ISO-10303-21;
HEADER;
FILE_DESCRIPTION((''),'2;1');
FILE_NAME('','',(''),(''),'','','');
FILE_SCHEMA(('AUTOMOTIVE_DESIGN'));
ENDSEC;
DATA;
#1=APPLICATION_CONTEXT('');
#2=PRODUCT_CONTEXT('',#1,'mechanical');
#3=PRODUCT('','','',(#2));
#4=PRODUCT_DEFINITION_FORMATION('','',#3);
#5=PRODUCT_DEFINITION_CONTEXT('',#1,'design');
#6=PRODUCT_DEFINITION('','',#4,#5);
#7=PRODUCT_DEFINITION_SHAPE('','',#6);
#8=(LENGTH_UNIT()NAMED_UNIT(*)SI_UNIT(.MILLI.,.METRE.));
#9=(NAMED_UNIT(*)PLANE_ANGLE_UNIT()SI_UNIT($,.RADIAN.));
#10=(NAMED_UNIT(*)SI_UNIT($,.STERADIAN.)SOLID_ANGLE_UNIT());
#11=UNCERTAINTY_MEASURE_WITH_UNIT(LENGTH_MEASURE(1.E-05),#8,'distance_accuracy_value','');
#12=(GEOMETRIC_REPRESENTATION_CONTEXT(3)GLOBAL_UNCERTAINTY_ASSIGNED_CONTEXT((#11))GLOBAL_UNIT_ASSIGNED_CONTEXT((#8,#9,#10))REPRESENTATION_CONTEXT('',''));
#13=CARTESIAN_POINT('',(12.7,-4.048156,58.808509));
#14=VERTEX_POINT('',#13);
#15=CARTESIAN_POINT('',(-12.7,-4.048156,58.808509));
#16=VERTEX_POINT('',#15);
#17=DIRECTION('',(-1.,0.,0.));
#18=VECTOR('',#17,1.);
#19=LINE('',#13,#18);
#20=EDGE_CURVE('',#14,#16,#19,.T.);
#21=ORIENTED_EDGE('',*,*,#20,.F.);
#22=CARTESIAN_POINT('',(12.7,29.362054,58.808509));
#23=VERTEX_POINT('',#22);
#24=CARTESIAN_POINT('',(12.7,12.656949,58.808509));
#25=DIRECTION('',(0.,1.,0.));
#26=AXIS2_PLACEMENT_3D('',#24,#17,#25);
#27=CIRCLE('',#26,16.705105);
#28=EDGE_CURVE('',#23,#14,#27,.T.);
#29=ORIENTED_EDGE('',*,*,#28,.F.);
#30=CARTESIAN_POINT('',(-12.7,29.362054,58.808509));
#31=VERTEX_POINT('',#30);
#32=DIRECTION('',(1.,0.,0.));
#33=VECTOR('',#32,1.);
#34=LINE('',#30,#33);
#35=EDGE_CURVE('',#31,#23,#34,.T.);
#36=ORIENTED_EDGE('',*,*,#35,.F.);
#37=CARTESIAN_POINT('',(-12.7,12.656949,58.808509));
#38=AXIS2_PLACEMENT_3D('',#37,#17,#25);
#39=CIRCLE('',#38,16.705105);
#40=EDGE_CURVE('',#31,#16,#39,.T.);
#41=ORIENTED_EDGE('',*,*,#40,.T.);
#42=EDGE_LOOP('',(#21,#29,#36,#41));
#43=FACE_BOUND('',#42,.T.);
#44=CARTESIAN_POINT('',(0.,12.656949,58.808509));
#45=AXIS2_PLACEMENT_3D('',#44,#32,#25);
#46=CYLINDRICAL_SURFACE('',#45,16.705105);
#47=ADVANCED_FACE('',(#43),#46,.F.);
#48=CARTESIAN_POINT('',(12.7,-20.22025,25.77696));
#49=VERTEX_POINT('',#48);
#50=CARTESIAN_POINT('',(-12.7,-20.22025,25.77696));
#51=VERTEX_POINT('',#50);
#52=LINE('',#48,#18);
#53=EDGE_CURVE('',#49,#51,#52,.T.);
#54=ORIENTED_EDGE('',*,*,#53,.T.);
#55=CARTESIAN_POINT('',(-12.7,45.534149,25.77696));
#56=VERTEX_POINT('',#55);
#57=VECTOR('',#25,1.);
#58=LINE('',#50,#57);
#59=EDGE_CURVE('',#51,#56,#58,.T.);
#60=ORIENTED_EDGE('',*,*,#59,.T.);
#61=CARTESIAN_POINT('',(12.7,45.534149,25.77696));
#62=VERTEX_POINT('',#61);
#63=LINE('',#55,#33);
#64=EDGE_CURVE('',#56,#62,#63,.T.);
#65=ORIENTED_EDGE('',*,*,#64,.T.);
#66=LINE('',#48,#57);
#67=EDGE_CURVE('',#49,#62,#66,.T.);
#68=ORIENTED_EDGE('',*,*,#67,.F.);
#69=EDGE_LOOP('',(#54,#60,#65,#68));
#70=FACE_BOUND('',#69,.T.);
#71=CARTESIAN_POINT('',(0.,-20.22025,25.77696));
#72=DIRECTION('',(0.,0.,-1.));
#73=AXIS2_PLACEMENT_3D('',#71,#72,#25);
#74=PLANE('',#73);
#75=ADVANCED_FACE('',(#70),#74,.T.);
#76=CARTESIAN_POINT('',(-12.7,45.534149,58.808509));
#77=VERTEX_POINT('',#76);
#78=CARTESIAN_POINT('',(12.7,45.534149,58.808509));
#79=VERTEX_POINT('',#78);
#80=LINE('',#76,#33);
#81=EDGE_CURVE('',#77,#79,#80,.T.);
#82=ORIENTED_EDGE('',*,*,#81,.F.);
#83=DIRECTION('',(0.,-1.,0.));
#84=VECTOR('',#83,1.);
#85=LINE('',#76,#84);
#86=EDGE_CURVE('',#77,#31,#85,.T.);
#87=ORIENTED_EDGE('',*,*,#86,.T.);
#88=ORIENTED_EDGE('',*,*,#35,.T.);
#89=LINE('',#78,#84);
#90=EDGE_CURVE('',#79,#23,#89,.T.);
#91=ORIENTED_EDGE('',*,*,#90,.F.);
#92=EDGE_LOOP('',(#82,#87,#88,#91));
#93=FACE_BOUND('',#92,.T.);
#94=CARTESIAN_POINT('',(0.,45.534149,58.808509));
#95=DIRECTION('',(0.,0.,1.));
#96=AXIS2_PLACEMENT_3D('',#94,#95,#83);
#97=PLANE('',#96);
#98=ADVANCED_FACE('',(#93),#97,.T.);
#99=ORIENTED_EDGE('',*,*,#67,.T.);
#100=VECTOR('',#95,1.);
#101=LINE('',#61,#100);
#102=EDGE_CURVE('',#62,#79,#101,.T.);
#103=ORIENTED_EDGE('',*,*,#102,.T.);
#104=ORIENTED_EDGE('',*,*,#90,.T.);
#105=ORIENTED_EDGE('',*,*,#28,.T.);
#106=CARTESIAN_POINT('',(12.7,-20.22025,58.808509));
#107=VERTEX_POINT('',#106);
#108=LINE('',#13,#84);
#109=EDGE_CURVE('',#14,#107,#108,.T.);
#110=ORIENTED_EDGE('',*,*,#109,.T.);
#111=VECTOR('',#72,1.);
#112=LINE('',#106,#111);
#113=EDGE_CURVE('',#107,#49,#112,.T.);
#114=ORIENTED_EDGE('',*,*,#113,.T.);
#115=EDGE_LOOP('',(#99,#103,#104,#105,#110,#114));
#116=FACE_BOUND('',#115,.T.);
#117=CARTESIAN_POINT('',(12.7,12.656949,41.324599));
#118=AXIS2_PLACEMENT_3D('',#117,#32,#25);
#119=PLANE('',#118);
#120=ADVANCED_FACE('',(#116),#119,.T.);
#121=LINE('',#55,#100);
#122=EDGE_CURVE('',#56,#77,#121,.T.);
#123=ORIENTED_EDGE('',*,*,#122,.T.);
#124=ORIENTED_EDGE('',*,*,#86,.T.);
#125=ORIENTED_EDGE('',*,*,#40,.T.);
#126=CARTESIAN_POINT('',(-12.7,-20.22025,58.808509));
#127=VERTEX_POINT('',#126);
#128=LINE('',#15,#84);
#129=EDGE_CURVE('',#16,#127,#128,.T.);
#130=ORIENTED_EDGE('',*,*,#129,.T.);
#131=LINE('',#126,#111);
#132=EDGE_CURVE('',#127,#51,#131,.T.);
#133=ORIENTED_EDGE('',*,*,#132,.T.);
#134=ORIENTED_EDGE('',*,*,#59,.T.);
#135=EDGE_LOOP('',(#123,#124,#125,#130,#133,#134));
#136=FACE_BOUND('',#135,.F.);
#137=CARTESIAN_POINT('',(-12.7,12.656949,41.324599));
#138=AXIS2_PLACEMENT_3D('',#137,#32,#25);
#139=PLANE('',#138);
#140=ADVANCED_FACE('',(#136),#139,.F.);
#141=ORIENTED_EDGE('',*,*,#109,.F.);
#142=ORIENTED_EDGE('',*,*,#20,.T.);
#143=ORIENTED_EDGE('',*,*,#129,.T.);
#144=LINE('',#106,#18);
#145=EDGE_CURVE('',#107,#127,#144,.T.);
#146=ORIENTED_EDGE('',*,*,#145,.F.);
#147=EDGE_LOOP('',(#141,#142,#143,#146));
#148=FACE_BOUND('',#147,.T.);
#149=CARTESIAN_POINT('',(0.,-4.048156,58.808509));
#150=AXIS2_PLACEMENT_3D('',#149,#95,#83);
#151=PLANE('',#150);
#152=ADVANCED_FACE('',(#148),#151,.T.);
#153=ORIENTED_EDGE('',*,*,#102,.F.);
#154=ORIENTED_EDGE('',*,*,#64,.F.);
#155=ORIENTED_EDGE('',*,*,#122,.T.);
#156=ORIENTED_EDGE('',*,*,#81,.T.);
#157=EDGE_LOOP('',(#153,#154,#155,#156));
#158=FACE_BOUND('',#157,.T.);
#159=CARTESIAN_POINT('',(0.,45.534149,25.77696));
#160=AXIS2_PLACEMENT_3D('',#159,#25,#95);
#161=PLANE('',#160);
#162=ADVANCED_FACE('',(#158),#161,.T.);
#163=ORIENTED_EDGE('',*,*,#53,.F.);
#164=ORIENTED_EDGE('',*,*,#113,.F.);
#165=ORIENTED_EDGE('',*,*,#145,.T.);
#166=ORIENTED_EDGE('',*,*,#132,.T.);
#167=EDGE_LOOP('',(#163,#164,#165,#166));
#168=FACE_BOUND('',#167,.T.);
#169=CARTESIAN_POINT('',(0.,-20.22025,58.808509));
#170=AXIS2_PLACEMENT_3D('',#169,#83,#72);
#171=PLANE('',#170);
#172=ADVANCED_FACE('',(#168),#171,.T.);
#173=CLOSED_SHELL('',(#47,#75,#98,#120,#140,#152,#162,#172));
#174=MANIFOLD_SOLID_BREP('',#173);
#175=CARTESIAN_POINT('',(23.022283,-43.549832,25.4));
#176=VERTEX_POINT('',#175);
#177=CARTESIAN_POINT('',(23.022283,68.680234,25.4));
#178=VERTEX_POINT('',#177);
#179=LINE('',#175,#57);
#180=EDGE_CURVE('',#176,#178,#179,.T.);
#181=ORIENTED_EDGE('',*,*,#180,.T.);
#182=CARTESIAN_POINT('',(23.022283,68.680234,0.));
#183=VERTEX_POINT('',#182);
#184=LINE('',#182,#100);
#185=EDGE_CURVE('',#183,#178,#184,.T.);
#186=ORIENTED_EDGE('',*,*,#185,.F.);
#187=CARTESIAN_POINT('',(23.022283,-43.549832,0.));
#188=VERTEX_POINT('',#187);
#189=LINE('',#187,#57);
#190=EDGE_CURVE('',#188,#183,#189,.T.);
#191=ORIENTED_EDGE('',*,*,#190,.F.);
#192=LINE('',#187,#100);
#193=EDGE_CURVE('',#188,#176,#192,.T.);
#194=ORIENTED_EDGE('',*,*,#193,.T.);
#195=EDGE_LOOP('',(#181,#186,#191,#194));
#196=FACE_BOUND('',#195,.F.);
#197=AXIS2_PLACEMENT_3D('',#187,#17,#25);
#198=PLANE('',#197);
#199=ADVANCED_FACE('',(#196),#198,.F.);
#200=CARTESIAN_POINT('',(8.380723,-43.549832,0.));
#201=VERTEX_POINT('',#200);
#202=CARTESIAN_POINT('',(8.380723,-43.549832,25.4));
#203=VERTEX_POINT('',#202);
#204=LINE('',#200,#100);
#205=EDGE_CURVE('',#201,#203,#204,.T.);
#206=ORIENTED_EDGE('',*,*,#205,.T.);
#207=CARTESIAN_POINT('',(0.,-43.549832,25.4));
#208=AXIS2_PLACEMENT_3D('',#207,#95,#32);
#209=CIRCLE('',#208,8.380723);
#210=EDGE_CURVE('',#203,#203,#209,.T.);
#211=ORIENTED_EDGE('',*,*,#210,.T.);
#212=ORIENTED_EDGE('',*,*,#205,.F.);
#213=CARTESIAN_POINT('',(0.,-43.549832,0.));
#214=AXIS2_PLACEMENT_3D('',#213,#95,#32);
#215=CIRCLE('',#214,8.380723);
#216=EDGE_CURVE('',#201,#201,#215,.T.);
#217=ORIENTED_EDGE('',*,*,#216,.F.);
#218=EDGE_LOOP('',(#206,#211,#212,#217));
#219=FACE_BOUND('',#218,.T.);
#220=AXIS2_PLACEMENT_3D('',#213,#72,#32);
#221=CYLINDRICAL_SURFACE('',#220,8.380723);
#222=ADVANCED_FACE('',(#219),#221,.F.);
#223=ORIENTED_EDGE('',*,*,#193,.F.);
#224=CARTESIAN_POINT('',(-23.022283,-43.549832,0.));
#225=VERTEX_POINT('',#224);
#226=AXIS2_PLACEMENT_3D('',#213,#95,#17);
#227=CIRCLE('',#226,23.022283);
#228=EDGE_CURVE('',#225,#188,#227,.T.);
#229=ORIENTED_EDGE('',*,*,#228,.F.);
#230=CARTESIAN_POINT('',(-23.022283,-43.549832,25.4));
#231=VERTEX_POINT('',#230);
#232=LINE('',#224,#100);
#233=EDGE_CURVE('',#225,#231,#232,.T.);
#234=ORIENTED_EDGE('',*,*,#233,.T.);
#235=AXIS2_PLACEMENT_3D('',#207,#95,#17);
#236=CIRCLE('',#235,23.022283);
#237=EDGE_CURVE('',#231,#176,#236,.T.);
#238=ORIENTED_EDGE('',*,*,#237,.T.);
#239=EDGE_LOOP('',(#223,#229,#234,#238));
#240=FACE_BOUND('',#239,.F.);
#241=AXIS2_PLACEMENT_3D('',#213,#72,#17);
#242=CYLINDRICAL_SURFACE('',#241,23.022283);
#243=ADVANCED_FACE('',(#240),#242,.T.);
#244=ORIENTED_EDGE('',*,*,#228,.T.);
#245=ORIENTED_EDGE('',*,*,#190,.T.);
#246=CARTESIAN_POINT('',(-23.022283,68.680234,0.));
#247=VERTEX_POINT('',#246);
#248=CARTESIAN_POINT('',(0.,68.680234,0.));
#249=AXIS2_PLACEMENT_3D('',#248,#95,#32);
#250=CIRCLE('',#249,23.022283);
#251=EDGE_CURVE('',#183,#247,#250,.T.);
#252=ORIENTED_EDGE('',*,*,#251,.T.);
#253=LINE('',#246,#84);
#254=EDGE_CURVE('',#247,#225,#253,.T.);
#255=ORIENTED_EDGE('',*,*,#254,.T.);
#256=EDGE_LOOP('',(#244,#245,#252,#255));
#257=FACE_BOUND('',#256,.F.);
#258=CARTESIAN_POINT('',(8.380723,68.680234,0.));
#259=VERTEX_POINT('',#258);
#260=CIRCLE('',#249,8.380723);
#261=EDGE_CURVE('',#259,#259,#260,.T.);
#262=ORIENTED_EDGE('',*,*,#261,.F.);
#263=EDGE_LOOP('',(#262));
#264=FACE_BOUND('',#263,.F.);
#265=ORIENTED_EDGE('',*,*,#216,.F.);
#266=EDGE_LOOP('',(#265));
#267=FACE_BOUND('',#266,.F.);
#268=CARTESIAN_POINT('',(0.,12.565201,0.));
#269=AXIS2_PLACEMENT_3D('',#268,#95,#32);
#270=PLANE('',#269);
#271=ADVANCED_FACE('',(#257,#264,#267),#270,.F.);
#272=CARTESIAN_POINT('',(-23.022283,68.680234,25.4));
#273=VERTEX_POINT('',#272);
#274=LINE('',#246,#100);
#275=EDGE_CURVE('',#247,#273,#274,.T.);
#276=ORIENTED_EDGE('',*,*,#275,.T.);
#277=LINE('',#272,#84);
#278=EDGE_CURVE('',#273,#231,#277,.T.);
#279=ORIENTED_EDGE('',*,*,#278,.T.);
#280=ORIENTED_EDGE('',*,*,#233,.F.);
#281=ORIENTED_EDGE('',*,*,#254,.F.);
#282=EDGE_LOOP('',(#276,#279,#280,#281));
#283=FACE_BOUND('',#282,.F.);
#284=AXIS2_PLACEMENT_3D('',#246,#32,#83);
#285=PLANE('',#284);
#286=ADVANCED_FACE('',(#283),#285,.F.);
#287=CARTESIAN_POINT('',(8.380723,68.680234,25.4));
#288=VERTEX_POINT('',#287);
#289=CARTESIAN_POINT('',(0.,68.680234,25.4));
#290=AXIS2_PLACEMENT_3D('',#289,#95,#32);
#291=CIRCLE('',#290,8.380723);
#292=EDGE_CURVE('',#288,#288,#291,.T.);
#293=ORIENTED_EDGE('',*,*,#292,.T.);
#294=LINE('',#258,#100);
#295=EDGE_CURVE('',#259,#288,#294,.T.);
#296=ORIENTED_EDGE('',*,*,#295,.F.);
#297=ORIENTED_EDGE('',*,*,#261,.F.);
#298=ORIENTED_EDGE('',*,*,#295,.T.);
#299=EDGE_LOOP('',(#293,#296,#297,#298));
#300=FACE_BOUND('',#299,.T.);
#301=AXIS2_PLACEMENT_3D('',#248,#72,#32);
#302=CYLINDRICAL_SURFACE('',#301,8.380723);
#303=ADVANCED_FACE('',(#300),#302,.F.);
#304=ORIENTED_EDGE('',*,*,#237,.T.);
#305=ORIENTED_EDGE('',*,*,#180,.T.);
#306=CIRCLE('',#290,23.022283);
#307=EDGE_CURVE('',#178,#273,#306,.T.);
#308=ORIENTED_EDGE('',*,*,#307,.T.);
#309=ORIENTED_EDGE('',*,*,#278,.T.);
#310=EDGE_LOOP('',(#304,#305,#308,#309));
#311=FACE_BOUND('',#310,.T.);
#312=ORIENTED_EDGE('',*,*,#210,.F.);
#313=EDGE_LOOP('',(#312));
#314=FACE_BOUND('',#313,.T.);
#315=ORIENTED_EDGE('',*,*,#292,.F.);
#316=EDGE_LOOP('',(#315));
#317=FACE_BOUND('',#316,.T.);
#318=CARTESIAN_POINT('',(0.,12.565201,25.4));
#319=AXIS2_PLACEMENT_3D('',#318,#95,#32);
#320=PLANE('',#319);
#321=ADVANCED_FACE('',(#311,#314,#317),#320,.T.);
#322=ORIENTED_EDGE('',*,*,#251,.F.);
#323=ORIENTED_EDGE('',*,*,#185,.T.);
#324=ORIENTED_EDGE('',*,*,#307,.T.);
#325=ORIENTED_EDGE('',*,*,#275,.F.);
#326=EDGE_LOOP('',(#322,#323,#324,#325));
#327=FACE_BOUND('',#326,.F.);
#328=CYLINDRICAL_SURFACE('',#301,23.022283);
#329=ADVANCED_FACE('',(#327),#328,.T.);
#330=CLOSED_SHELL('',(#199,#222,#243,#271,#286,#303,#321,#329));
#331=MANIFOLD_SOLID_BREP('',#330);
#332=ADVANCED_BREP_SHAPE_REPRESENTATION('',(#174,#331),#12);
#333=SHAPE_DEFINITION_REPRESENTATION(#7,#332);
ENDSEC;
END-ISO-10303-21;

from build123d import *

# Parameters (mm, degrees)
F0_R     = 8.380723
F1_DEPTH = 25.4
F3_DEPTH = 12.7


with BuildPart() as f1:
    # F0 (on Top) → F1 (new body)
    with BuildSketch(Plane.XY):
        with BuildLine():
            Line((23.022283, -43.549832), (23.022283, 68.680234))
            ThreePointArc((23.022283, 68.680234), (0, 91.702517), (-23.022283, 68.680234))
            Line((-23.022283, 68.680234), (-23.022283, -43.549832))
            ThreePointArc((-23.022283, -43.549832), (0, -66.572115), (23.022283, -43.549832))
        make_face()
        with Locations((0, -43.549832)):
            Circle(F0_R, mode=Mode.SUBTRACT)
        with Locations((0, 68.680234)):
            Circle(F0_R, mode=Mode.SUBTRACT)
    extrude(amount=F1_DEPTH)


with BuildPart() as f3:
    # F2 (on Right) → F3 (new body, symmetric)
    with BuildSketch(Plane.YZ):
        with BuildLine():
            Line((-20.22025, 25.77696), (45.534149, 25.77696))
            Line((45.534149, 25.77696), (45.534149, 58.808509))
            Line((45.534149, 58.808509), (29.362054, 58.808509))
            ThreePointArc((29.362054, 58.808509), (12.656949, 42.103404), (-4.048156, 58.808509))
            Line((-4.048156, 58.808509), (-20.22025, 58.808509))
            Line((-20.22025, 58.808509), (-20.22025, 25.77696))
        make_face()
    extrude(amount=F3_DEPTH, both=True)


solid = Compound([f1.part, f3.part])
